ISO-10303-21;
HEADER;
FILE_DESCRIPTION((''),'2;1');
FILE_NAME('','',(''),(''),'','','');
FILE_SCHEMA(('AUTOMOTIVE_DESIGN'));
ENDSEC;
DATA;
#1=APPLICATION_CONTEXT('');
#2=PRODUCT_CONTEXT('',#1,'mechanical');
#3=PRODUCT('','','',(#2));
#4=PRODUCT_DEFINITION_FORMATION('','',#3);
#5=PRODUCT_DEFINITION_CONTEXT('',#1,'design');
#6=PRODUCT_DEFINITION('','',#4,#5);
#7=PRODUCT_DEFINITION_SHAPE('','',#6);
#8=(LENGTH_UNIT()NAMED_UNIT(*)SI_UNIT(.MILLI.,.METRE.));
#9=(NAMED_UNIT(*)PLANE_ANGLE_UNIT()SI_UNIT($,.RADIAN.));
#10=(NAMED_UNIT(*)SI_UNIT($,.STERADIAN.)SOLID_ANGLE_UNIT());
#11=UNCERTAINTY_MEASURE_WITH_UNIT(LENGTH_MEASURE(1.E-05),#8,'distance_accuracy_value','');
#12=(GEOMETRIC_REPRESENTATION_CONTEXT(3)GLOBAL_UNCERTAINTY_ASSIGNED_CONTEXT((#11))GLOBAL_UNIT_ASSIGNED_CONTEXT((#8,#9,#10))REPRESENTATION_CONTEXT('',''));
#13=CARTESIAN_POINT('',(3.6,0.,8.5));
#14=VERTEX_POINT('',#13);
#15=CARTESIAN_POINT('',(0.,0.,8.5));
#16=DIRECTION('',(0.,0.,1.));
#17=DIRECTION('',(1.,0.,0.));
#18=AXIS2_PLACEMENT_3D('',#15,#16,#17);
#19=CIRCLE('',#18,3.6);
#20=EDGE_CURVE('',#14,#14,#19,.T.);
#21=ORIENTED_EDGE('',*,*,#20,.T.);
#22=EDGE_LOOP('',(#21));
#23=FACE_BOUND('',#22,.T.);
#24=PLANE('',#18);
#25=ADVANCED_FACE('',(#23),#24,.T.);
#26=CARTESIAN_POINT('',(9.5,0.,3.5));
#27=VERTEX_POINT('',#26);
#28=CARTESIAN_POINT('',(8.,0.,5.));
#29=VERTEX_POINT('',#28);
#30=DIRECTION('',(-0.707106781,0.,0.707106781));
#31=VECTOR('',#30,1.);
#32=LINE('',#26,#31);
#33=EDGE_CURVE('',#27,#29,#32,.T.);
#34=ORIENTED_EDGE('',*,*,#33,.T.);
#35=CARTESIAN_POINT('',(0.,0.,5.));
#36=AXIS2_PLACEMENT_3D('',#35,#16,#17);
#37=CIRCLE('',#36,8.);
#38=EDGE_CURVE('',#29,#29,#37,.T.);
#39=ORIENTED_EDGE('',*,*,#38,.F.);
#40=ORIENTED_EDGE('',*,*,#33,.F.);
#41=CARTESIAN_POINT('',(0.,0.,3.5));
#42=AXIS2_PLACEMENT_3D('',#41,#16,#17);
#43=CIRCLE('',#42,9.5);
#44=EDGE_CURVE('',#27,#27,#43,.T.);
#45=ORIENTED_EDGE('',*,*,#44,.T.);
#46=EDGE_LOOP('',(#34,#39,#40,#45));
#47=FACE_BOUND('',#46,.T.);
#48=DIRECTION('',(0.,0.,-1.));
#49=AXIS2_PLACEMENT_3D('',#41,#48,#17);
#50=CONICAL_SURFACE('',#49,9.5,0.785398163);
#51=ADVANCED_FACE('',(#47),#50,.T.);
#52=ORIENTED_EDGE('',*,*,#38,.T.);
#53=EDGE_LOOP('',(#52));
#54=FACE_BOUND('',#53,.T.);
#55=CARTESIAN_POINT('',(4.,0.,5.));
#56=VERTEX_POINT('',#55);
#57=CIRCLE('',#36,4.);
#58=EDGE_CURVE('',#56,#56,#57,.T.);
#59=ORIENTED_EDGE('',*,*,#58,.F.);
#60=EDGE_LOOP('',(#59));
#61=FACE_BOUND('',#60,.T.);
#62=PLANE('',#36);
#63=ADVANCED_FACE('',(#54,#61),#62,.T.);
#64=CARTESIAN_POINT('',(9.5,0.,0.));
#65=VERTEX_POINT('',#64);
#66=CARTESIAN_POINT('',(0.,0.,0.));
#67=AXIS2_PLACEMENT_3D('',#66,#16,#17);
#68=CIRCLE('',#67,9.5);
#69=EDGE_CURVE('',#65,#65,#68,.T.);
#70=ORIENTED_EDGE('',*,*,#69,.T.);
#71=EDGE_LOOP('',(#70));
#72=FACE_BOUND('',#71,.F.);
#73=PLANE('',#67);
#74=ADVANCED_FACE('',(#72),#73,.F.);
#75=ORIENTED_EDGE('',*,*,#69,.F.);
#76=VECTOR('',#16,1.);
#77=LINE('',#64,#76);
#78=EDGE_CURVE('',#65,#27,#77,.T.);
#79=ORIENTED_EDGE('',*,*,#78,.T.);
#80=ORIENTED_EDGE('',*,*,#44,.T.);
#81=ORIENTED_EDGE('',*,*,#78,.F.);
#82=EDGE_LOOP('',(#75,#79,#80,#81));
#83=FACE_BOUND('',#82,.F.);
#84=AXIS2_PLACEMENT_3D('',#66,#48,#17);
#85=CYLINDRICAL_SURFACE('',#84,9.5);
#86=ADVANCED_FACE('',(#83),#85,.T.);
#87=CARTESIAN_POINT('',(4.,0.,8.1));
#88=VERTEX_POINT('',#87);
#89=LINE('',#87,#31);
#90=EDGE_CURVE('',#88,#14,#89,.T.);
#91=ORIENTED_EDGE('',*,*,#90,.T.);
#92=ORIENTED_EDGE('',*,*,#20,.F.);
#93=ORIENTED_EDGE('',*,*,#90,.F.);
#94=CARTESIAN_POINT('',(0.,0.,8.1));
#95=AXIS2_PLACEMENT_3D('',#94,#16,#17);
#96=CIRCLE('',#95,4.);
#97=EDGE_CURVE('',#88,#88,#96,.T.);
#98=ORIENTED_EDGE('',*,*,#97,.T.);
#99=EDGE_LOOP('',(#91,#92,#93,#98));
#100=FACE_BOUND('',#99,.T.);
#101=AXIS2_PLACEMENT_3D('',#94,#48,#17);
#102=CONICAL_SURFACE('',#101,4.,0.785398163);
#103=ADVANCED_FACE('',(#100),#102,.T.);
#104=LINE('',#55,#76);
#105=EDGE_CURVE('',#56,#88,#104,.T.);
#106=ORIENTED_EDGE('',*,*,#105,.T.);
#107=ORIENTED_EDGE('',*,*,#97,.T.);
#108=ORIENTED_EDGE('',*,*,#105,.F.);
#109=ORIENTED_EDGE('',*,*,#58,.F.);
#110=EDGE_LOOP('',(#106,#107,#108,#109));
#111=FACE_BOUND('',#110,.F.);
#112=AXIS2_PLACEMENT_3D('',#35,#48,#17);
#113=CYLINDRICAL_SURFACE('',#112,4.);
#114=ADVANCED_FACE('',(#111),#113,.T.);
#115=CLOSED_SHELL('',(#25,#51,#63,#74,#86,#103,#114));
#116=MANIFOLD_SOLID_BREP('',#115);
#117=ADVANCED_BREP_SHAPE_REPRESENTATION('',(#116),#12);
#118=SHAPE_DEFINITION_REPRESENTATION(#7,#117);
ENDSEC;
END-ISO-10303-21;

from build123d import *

# Parameters (mm, degrees)
F0_R     = 9.5
F1_DEPTH = 5
F2_R     = 4
F3_DEPTH = 3.5
F4_SIZE  = 1.5
F5_SIZE  = 0.4


with BuildPart() as f1:
    # F0 (on Top) → F1 (new body)
    with BuildSketch(Plane.XY):
        Circle(F0_R)
    extrude(amount=F1_DEPTH)

    # F2 (on face) → F3 (join)
    with BuildSketch(Plane.XY.offset(5)):
        Circle(F2_R)
    extrude(amount=F3_DEPTH)

    # F4
    f4_edges = [f1.edges().sort_by_distance(p)[0] for p in [
        (-9.5, 0, 5),
    ]]
    chamfer(f4_edges, length=F4_SIZE)

    # F5
    f5_edges = [f1.edges().sort_by_distance(p)[0] for p in [
        (-4, 0, 8.5),
    ]]
    chamfer(f5_edges, length=F5_SIZE)


solid = f1.part
